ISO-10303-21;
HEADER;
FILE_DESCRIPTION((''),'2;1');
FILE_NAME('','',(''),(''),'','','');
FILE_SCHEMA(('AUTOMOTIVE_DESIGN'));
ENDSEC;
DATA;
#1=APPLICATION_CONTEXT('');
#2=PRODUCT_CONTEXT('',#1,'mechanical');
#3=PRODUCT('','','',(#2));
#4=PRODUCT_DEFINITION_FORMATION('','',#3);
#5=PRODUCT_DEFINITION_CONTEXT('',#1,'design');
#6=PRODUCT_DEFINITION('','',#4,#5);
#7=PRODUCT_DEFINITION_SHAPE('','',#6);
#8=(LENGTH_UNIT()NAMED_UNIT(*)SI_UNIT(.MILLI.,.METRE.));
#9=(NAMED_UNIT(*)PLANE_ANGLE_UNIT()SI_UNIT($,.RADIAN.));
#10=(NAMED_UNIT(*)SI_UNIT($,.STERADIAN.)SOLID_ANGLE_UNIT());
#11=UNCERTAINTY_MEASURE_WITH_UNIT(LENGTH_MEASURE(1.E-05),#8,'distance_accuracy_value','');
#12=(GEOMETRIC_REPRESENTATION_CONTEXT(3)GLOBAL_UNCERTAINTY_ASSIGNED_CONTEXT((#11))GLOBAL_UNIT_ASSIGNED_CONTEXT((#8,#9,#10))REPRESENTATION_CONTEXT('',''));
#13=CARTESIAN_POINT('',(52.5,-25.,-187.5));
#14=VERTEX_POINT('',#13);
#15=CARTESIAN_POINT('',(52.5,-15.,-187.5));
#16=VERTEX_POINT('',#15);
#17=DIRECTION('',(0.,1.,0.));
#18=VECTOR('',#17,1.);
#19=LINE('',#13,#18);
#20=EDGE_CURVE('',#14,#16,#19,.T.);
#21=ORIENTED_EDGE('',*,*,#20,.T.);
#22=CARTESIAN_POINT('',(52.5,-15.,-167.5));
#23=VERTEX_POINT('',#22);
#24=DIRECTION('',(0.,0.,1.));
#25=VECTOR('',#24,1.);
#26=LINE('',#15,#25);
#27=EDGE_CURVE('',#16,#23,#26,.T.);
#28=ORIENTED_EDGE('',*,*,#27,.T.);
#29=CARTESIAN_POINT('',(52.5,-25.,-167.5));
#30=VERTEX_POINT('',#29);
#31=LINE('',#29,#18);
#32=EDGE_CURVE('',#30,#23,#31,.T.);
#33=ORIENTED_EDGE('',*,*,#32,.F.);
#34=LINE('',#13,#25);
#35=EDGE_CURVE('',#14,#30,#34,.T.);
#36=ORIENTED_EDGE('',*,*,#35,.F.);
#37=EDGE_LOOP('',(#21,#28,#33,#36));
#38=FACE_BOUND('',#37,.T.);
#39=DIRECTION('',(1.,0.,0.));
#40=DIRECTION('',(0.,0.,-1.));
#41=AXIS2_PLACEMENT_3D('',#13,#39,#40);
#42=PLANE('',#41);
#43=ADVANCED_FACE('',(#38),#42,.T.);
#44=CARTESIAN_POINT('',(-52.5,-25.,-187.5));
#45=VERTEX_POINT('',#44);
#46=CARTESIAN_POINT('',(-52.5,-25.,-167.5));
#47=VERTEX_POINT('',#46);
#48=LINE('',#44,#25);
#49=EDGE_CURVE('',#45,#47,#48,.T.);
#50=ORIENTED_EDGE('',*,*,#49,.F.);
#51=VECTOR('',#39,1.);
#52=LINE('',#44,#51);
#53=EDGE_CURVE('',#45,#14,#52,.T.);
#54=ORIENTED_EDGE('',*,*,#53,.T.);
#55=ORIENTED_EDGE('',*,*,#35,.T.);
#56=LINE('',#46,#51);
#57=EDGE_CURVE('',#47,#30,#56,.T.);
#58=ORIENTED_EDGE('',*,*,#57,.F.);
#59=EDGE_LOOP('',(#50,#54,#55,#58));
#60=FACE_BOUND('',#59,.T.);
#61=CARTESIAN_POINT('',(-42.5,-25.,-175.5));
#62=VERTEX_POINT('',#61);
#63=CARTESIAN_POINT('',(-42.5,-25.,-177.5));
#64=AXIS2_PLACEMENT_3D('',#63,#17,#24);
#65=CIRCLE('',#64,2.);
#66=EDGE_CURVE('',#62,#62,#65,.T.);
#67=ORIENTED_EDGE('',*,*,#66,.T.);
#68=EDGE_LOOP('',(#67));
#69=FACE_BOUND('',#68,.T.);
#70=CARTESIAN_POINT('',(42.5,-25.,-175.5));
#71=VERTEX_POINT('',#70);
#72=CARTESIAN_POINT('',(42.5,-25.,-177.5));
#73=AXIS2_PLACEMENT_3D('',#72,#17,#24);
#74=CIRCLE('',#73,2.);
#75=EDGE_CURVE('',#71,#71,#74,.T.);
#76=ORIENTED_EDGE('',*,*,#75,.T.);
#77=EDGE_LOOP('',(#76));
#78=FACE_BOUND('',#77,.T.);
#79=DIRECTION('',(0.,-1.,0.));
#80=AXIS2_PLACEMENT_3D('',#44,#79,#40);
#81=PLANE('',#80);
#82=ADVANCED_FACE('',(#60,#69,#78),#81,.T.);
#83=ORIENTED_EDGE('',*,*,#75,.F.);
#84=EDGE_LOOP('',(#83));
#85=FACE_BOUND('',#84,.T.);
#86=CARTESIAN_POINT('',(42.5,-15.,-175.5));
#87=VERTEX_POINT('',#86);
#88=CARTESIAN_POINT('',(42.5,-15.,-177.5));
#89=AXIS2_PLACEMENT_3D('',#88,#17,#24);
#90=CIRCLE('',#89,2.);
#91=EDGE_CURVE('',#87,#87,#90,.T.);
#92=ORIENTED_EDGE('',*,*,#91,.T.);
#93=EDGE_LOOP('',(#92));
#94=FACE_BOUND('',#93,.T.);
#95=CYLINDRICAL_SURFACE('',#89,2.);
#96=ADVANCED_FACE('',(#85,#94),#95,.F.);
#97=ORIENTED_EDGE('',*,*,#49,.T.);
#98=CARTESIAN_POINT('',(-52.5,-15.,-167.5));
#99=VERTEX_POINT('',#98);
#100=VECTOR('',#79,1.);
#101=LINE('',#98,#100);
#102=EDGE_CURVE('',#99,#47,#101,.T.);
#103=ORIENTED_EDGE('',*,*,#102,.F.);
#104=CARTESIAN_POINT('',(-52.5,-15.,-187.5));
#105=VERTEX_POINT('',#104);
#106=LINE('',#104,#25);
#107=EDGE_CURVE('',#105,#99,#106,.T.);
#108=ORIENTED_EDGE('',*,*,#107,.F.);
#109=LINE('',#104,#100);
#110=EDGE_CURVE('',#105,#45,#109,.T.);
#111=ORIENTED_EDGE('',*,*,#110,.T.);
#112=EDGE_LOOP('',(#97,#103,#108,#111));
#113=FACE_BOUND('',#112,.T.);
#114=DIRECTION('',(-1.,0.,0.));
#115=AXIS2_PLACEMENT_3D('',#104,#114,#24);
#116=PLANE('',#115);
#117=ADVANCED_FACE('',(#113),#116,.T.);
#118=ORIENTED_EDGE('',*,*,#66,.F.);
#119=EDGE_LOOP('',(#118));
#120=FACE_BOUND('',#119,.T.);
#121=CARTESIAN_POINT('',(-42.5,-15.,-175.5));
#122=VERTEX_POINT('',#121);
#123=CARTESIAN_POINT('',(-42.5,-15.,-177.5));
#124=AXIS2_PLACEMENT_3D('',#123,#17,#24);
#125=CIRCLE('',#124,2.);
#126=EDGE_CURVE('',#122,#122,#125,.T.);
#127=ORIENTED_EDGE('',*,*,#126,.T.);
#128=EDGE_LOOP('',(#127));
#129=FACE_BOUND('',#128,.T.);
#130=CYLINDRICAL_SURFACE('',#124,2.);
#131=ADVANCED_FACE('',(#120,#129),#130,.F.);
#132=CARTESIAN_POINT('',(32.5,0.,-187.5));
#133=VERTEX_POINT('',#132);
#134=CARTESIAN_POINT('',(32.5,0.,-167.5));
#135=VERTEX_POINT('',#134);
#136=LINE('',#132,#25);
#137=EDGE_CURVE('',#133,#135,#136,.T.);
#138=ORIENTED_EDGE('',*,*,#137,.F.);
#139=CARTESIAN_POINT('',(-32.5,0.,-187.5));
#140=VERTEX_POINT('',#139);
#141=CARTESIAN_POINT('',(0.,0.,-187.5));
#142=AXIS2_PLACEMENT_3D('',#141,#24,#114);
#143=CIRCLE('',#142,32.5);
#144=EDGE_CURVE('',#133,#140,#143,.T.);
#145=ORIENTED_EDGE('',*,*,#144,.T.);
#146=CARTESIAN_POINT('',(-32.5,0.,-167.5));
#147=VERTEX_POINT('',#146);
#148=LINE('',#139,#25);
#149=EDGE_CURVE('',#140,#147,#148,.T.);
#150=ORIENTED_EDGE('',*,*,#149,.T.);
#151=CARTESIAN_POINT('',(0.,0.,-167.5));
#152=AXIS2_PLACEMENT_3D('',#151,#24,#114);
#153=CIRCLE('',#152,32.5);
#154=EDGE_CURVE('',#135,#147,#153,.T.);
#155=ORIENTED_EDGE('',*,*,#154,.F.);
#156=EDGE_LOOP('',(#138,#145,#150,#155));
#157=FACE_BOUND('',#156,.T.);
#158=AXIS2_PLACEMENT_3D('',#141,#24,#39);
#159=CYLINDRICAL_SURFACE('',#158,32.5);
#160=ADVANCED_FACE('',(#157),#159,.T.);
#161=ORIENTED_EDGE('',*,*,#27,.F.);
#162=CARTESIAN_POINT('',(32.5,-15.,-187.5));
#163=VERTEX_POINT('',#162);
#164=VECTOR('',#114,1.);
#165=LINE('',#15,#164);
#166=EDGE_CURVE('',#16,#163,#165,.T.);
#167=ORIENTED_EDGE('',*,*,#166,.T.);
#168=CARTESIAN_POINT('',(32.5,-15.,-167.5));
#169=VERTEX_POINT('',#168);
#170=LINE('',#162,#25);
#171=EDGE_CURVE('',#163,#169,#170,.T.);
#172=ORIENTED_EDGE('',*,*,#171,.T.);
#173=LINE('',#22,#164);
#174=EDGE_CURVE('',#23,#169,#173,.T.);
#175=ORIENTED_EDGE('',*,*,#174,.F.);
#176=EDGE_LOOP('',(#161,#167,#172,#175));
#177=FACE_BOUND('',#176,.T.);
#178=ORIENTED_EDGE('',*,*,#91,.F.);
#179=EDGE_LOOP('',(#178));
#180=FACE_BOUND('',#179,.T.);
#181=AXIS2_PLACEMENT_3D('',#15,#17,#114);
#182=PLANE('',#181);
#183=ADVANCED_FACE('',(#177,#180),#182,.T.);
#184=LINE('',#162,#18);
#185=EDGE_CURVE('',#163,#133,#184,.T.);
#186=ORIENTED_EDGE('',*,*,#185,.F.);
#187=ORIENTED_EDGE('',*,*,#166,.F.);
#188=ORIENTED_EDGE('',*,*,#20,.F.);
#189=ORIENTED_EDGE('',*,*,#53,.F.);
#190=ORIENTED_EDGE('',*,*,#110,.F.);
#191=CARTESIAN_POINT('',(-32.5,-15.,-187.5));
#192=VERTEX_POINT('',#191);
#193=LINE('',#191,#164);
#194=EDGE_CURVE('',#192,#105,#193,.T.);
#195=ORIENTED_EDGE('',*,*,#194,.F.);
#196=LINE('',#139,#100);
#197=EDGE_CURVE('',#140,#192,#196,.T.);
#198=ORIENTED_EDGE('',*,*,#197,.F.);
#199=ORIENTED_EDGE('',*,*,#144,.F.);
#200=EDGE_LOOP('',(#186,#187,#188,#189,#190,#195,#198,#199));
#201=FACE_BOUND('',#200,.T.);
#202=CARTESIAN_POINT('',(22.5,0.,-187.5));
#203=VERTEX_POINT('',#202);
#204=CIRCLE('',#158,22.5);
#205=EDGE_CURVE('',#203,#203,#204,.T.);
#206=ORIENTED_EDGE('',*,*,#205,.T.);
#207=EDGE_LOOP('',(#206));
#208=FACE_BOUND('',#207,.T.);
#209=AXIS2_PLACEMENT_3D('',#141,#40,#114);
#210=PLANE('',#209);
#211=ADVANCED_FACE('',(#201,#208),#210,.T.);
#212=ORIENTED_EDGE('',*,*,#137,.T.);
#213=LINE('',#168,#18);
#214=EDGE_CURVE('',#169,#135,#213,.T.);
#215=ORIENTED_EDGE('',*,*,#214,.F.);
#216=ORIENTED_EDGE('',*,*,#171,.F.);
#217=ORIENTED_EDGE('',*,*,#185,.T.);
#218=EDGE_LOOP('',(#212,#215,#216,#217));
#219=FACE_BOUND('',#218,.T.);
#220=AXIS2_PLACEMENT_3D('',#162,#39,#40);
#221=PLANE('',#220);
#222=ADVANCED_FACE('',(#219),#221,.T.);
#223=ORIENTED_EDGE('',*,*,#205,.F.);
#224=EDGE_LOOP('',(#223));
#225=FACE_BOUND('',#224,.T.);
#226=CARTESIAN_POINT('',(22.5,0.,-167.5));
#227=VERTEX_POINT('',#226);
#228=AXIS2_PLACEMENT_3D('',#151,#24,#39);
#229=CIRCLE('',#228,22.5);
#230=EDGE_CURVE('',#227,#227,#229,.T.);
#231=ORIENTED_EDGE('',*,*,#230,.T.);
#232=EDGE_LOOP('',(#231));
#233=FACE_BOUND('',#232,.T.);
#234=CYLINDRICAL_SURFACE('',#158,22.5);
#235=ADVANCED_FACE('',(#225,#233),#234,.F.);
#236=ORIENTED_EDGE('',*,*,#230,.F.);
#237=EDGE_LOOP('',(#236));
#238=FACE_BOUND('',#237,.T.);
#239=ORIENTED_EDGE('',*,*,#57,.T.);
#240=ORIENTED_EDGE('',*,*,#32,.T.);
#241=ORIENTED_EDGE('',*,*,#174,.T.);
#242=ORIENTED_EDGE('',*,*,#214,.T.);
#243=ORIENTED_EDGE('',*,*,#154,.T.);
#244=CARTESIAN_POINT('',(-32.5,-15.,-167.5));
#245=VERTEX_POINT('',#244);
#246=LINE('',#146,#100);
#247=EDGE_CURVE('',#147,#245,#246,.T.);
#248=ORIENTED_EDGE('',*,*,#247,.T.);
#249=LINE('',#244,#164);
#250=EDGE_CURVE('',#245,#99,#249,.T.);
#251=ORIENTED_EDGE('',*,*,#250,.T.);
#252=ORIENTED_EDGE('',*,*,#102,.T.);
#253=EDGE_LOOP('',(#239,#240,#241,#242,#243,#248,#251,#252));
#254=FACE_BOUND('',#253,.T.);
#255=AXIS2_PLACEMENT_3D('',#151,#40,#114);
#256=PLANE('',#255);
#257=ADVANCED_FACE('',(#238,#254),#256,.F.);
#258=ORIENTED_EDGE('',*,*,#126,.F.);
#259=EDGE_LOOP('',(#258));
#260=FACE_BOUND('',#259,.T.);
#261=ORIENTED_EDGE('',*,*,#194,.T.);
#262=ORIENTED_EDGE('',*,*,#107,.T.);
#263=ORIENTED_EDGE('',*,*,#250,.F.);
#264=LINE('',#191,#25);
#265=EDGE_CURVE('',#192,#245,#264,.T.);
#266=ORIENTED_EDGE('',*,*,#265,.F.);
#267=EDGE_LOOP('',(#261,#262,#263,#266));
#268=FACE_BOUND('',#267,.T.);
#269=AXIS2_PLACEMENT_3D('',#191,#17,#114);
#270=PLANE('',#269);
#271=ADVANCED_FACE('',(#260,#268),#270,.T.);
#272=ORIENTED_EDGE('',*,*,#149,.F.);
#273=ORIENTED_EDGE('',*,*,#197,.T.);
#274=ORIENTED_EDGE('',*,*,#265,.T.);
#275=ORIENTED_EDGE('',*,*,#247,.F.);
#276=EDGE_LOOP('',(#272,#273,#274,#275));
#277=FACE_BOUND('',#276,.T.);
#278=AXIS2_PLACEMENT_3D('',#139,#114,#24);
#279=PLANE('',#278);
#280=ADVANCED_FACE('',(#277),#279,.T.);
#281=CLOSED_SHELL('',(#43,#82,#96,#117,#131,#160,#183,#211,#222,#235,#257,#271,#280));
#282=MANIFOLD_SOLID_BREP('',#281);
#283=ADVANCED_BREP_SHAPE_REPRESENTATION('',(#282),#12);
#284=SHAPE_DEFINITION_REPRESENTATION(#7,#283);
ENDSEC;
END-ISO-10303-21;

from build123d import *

# Parameters (mm, degrees)
SKETCH1_R             = 22.5
BOSS_EXTRUDE2_DEPTH   = 20
F_4_0MM_DOWEL_HOLE1_D = 4


with BuildPart() as part:
    # Sketch1 → Boss-Extrude2 (new body)
    with BuildSketch(Plane.XY.offset(-167.5)):
        with BuildLine():
            Line((-32.5, 0), (-32.5, -15))
            Line((-32.5, -15), (-52.5, -15))
            Line((-52.5, -15), (-52.5, -25))
            Line((-52.5, -25), (52.5, -25))
            Line((52.5, -25), (52.5, -15))
            Line((52.5, -15), (32.5, -15))
            Line((32.5, -15), (32.5, 0))
            ThreePointArc((32.5, 0), (0, 32.5), (-32.5, 0))
        make_face()
        Circle(SKETCH1_R, mode=Mode.SUBTRACT)
    extrude(amount=-BOSS_EXTRUDE2_DEPTH)

    # Ø4.0mm Dowel Hole1 (through all)
    with Locations(Plane(origin=(0, -15, 0), x_dir=(1, 0, 0), z_dir=(0, 1, 0))):
        with Locations((42.5, 177.5), (-42.5, 177.5)):
            Hole(F_4_0MM_DOWEL_HOLE1_D / 2)


solid = part.part
